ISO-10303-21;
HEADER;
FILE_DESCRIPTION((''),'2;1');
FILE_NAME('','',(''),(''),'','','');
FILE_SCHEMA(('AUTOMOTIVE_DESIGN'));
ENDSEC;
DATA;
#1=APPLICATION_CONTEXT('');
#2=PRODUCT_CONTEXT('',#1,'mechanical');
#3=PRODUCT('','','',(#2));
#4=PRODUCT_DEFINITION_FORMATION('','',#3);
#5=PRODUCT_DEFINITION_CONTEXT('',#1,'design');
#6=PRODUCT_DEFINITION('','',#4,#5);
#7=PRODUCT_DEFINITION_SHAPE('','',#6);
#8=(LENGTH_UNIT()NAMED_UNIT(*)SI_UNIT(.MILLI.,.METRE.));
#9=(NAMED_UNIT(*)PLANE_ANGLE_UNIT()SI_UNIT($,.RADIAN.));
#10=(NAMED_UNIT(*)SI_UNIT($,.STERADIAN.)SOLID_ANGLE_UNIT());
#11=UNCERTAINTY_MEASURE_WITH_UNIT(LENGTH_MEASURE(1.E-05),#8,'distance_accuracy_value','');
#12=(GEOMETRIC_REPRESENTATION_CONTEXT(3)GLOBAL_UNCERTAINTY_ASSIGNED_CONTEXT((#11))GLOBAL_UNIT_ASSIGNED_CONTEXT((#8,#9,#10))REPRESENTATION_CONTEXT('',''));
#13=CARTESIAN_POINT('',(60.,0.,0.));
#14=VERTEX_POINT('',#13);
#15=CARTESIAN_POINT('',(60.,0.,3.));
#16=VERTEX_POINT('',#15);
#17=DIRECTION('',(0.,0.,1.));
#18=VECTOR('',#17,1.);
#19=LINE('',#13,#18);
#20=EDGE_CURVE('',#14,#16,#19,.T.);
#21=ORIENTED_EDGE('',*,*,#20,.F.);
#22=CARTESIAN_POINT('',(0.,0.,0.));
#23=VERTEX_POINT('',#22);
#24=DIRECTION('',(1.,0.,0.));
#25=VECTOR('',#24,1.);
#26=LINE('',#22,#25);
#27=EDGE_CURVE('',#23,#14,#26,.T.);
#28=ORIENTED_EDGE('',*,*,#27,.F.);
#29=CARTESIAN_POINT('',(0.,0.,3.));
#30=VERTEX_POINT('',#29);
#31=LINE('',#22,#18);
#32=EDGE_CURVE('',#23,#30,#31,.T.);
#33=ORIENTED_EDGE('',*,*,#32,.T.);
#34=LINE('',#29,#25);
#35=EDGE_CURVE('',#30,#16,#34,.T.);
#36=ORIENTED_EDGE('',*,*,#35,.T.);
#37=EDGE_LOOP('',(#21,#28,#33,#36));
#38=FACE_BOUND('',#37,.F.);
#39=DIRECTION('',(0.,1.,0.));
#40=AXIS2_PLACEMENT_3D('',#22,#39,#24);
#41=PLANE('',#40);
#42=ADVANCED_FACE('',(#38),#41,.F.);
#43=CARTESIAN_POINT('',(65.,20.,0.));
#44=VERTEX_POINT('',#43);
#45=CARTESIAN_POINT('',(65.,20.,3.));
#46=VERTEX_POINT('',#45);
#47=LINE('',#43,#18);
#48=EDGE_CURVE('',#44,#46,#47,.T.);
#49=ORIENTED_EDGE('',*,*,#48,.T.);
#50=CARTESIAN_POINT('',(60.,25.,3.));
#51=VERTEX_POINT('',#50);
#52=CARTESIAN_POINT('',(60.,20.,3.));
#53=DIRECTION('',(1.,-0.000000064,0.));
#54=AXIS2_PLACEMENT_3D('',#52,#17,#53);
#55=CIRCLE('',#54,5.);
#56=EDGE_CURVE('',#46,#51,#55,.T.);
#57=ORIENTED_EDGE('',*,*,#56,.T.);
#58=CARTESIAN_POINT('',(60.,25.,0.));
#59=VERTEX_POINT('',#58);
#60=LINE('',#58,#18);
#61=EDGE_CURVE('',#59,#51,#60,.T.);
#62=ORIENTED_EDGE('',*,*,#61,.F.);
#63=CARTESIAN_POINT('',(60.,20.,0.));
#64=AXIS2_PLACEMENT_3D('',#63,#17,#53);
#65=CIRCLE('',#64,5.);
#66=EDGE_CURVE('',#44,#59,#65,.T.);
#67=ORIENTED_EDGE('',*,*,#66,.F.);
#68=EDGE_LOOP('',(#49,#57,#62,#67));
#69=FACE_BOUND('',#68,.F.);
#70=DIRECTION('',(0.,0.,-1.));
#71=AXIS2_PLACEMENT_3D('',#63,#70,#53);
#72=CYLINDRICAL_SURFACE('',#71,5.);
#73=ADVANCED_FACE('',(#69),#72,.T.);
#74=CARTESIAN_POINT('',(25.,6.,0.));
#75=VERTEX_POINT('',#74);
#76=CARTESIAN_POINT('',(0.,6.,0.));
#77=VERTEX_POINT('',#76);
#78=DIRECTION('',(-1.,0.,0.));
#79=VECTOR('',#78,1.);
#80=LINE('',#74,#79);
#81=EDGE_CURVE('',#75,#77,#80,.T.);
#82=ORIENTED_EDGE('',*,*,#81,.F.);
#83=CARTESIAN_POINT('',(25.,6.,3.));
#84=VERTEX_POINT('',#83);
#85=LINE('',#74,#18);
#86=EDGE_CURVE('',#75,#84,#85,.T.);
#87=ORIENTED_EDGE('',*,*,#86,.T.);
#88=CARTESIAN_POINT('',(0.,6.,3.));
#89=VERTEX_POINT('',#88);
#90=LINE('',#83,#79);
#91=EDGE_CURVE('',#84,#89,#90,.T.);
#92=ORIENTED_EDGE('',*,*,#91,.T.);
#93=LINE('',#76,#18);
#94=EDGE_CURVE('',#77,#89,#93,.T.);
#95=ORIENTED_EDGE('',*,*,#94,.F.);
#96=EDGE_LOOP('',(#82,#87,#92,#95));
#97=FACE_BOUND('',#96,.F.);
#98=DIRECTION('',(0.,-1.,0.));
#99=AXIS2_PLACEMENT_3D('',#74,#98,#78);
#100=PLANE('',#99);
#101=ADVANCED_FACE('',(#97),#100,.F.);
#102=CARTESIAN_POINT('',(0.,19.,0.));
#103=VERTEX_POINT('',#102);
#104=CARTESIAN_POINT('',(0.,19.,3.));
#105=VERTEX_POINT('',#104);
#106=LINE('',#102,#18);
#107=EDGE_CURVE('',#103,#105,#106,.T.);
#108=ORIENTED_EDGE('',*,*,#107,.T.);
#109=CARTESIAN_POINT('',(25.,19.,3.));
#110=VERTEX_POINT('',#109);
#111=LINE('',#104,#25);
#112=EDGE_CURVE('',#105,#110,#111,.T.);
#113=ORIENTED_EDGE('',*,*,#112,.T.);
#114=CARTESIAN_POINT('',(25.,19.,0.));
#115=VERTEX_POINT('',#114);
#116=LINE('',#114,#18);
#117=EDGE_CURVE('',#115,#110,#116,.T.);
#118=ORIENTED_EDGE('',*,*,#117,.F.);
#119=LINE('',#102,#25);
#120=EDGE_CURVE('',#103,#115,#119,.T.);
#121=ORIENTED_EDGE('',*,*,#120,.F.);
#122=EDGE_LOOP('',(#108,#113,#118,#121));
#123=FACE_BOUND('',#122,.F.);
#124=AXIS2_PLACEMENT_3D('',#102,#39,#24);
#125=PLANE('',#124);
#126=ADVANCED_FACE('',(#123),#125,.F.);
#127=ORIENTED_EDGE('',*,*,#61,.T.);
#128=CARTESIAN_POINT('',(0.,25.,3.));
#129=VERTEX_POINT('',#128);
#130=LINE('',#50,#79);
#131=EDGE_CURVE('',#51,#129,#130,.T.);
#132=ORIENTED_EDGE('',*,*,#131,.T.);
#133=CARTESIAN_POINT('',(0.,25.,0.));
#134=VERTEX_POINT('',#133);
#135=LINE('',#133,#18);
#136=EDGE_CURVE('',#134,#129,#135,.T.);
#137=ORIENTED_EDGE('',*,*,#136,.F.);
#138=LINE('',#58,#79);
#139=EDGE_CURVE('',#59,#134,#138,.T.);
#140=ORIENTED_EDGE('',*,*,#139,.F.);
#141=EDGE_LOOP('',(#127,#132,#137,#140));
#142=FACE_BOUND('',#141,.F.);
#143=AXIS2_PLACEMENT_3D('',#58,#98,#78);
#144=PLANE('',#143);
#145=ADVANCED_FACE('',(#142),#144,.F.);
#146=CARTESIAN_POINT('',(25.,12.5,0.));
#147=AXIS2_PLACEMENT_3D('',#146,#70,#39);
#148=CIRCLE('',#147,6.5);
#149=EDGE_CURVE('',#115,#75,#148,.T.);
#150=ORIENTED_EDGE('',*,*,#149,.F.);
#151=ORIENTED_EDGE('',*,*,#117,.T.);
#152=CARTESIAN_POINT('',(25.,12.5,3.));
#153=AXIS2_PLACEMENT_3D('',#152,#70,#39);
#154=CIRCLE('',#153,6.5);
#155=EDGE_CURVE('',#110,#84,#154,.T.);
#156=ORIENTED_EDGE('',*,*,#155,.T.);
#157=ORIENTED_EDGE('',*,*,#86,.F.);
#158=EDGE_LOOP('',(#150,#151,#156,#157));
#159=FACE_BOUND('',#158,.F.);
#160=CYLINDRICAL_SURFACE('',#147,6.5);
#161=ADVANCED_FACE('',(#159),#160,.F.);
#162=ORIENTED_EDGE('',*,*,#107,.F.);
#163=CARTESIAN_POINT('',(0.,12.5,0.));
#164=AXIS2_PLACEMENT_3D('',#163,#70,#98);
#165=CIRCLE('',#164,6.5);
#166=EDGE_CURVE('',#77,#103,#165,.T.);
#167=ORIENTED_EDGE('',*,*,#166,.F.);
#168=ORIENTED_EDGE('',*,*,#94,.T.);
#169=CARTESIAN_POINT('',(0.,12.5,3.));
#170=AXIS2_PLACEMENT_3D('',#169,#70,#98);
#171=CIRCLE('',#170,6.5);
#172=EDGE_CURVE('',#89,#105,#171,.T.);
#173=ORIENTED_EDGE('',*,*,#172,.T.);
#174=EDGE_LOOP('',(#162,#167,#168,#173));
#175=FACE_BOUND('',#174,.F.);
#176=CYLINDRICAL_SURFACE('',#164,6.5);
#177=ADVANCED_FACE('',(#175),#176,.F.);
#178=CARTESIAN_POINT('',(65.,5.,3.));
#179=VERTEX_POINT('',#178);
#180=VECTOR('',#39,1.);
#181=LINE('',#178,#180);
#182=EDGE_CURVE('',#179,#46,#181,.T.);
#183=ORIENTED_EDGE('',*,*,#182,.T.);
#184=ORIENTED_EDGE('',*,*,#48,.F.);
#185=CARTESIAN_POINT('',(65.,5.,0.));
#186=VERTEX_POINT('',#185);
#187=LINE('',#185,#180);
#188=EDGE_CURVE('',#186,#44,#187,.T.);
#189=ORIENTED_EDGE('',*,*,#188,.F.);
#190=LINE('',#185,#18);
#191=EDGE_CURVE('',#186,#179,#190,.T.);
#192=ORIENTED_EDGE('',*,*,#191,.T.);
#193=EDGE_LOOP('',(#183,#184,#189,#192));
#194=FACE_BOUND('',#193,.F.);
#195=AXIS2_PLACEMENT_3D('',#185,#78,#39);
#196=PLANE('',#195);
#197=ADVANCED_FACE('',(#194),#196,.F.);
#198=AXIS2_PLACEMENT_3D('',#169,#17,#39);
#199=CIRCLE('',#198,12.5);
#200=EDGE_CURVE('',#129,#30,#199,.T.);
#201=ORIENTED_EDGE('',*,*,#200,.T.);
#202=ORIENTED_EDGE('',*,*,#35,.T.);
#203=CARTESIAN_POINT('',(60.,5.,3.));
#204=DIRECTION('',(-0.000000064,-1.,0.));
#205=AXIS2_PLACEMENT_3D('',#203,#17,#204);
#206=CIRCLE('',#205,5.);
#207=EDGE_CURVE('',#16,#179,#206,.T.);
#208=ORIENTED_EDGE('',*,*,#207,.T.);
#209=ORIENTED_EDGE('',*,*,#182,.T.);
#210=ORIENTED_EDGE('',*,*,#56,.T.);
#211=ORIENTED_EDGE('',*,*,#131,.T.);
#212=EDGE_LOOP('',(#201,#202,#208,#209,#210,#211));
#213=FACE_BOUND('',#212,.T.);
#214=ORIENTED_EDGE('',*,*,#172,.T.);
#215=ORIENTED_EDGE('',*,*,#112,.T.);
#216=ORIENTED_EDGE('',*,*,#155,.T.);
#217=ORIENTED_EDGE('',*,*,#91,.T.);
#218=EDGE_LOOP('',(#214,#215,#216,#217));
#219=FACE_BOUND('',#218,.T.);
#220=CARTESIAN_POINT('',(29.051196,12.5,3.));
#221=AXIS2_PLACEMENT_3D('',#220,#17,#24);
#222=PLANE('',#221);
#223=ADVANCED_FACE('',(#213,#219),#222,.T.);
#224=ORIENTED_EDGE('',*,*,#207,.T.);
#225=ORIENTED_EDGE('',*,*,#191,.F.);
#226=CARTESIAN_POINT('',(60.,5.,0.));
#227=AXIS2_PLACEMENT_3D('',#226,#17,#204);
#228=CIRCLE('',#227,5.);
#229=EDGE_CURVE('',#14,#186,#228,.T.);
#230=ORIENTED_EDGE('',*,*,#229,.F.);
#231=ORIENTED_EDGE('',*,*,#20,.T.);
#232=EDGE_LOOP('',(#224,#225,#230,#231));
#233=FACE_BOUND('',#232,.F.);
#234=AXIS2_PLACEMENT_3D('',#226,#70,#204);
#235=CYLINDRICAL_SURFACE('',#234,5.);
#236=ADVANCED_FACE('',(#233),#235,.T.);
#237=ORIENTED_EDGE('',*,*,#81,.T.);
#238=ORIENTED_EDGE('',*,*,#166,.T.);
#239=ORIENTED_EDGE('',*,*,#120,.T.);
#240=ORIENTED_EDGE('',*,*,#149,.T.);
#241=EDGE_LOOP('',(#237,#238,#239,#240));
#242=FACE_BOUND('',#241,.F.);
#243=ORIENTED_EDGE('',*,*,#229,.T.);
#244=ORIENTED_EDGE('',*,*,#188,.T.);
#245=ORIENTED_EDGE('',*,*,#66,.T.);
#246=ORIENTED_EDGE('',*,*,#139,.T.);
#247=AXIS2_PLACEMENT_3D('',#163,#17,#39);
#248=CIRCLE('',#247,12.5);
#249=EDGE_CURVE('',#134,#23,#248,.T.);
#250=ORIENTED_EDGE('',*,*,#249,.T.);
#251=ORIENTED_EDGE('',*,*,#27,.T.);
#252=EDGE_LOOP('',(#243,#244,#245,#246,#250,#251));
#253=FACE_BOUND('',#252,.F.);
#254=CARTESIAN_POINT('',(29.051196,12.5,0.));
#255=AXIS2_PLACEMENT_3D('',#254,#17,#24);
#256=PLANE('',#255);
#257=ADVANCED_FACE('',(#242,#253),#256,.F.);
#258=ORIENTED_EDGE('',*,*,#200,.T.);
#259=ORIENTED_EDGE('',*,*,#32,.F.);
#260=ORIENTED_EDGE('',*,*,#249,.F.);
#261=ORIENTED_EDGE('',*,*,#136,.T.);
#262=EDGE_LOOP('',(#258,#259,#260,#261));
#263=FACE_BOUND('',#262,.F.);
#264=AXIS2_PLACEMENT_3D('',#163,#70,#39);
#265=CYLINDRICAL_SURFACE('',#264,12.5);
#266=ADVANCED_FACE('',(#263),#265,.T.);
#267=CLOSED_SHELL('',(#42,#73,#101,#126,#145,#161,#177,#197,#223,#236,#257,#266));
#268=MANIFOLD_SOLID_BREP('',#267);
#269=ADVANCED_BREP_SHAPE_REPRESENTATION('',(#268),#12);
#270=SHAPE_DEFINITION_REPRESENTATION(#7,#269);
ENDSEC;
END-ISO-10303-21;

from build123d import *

# Parameters (mm, degrees)
F1_DEPTH = 3


with BuildPart() as f1:
    # F0 (on Top) → F1 (new body)
    with BuildSketch(Plane.XY):
        with BuildLine():
            Line((0, 6), (0, 0))
            Line((0, 0), (60, 0))
            ThreePointArc((60, 0), (63.535534, 1.464466), (65, 5))
            Line((65, 5), (65, 20))
            ThreePointArc((65, 20), (63.535534, 23.535534), (60, 25))
            Line((60, 25), (0, 25))
            Line((0, 25), (0, 19))
            Line((0, 19), (25, 19))
            ThreePointArc((25, 19), (31.5, 12.5), (25, 6))
            Line((25, 6), (0, 6))
        make_face()
        with BuildLine():
            ThreePointArc((0, 25), (-12.5, 12.5), (0, 0))
            Line((0, 0), (0, 6))
            ThreePointArc((0, 6), (-6.5, 12.5), (0, 19))
            Line((0, 19), (0, 25))
        make_face()
    extrude(amount=F1_DEPTH)


solid = f1.part
